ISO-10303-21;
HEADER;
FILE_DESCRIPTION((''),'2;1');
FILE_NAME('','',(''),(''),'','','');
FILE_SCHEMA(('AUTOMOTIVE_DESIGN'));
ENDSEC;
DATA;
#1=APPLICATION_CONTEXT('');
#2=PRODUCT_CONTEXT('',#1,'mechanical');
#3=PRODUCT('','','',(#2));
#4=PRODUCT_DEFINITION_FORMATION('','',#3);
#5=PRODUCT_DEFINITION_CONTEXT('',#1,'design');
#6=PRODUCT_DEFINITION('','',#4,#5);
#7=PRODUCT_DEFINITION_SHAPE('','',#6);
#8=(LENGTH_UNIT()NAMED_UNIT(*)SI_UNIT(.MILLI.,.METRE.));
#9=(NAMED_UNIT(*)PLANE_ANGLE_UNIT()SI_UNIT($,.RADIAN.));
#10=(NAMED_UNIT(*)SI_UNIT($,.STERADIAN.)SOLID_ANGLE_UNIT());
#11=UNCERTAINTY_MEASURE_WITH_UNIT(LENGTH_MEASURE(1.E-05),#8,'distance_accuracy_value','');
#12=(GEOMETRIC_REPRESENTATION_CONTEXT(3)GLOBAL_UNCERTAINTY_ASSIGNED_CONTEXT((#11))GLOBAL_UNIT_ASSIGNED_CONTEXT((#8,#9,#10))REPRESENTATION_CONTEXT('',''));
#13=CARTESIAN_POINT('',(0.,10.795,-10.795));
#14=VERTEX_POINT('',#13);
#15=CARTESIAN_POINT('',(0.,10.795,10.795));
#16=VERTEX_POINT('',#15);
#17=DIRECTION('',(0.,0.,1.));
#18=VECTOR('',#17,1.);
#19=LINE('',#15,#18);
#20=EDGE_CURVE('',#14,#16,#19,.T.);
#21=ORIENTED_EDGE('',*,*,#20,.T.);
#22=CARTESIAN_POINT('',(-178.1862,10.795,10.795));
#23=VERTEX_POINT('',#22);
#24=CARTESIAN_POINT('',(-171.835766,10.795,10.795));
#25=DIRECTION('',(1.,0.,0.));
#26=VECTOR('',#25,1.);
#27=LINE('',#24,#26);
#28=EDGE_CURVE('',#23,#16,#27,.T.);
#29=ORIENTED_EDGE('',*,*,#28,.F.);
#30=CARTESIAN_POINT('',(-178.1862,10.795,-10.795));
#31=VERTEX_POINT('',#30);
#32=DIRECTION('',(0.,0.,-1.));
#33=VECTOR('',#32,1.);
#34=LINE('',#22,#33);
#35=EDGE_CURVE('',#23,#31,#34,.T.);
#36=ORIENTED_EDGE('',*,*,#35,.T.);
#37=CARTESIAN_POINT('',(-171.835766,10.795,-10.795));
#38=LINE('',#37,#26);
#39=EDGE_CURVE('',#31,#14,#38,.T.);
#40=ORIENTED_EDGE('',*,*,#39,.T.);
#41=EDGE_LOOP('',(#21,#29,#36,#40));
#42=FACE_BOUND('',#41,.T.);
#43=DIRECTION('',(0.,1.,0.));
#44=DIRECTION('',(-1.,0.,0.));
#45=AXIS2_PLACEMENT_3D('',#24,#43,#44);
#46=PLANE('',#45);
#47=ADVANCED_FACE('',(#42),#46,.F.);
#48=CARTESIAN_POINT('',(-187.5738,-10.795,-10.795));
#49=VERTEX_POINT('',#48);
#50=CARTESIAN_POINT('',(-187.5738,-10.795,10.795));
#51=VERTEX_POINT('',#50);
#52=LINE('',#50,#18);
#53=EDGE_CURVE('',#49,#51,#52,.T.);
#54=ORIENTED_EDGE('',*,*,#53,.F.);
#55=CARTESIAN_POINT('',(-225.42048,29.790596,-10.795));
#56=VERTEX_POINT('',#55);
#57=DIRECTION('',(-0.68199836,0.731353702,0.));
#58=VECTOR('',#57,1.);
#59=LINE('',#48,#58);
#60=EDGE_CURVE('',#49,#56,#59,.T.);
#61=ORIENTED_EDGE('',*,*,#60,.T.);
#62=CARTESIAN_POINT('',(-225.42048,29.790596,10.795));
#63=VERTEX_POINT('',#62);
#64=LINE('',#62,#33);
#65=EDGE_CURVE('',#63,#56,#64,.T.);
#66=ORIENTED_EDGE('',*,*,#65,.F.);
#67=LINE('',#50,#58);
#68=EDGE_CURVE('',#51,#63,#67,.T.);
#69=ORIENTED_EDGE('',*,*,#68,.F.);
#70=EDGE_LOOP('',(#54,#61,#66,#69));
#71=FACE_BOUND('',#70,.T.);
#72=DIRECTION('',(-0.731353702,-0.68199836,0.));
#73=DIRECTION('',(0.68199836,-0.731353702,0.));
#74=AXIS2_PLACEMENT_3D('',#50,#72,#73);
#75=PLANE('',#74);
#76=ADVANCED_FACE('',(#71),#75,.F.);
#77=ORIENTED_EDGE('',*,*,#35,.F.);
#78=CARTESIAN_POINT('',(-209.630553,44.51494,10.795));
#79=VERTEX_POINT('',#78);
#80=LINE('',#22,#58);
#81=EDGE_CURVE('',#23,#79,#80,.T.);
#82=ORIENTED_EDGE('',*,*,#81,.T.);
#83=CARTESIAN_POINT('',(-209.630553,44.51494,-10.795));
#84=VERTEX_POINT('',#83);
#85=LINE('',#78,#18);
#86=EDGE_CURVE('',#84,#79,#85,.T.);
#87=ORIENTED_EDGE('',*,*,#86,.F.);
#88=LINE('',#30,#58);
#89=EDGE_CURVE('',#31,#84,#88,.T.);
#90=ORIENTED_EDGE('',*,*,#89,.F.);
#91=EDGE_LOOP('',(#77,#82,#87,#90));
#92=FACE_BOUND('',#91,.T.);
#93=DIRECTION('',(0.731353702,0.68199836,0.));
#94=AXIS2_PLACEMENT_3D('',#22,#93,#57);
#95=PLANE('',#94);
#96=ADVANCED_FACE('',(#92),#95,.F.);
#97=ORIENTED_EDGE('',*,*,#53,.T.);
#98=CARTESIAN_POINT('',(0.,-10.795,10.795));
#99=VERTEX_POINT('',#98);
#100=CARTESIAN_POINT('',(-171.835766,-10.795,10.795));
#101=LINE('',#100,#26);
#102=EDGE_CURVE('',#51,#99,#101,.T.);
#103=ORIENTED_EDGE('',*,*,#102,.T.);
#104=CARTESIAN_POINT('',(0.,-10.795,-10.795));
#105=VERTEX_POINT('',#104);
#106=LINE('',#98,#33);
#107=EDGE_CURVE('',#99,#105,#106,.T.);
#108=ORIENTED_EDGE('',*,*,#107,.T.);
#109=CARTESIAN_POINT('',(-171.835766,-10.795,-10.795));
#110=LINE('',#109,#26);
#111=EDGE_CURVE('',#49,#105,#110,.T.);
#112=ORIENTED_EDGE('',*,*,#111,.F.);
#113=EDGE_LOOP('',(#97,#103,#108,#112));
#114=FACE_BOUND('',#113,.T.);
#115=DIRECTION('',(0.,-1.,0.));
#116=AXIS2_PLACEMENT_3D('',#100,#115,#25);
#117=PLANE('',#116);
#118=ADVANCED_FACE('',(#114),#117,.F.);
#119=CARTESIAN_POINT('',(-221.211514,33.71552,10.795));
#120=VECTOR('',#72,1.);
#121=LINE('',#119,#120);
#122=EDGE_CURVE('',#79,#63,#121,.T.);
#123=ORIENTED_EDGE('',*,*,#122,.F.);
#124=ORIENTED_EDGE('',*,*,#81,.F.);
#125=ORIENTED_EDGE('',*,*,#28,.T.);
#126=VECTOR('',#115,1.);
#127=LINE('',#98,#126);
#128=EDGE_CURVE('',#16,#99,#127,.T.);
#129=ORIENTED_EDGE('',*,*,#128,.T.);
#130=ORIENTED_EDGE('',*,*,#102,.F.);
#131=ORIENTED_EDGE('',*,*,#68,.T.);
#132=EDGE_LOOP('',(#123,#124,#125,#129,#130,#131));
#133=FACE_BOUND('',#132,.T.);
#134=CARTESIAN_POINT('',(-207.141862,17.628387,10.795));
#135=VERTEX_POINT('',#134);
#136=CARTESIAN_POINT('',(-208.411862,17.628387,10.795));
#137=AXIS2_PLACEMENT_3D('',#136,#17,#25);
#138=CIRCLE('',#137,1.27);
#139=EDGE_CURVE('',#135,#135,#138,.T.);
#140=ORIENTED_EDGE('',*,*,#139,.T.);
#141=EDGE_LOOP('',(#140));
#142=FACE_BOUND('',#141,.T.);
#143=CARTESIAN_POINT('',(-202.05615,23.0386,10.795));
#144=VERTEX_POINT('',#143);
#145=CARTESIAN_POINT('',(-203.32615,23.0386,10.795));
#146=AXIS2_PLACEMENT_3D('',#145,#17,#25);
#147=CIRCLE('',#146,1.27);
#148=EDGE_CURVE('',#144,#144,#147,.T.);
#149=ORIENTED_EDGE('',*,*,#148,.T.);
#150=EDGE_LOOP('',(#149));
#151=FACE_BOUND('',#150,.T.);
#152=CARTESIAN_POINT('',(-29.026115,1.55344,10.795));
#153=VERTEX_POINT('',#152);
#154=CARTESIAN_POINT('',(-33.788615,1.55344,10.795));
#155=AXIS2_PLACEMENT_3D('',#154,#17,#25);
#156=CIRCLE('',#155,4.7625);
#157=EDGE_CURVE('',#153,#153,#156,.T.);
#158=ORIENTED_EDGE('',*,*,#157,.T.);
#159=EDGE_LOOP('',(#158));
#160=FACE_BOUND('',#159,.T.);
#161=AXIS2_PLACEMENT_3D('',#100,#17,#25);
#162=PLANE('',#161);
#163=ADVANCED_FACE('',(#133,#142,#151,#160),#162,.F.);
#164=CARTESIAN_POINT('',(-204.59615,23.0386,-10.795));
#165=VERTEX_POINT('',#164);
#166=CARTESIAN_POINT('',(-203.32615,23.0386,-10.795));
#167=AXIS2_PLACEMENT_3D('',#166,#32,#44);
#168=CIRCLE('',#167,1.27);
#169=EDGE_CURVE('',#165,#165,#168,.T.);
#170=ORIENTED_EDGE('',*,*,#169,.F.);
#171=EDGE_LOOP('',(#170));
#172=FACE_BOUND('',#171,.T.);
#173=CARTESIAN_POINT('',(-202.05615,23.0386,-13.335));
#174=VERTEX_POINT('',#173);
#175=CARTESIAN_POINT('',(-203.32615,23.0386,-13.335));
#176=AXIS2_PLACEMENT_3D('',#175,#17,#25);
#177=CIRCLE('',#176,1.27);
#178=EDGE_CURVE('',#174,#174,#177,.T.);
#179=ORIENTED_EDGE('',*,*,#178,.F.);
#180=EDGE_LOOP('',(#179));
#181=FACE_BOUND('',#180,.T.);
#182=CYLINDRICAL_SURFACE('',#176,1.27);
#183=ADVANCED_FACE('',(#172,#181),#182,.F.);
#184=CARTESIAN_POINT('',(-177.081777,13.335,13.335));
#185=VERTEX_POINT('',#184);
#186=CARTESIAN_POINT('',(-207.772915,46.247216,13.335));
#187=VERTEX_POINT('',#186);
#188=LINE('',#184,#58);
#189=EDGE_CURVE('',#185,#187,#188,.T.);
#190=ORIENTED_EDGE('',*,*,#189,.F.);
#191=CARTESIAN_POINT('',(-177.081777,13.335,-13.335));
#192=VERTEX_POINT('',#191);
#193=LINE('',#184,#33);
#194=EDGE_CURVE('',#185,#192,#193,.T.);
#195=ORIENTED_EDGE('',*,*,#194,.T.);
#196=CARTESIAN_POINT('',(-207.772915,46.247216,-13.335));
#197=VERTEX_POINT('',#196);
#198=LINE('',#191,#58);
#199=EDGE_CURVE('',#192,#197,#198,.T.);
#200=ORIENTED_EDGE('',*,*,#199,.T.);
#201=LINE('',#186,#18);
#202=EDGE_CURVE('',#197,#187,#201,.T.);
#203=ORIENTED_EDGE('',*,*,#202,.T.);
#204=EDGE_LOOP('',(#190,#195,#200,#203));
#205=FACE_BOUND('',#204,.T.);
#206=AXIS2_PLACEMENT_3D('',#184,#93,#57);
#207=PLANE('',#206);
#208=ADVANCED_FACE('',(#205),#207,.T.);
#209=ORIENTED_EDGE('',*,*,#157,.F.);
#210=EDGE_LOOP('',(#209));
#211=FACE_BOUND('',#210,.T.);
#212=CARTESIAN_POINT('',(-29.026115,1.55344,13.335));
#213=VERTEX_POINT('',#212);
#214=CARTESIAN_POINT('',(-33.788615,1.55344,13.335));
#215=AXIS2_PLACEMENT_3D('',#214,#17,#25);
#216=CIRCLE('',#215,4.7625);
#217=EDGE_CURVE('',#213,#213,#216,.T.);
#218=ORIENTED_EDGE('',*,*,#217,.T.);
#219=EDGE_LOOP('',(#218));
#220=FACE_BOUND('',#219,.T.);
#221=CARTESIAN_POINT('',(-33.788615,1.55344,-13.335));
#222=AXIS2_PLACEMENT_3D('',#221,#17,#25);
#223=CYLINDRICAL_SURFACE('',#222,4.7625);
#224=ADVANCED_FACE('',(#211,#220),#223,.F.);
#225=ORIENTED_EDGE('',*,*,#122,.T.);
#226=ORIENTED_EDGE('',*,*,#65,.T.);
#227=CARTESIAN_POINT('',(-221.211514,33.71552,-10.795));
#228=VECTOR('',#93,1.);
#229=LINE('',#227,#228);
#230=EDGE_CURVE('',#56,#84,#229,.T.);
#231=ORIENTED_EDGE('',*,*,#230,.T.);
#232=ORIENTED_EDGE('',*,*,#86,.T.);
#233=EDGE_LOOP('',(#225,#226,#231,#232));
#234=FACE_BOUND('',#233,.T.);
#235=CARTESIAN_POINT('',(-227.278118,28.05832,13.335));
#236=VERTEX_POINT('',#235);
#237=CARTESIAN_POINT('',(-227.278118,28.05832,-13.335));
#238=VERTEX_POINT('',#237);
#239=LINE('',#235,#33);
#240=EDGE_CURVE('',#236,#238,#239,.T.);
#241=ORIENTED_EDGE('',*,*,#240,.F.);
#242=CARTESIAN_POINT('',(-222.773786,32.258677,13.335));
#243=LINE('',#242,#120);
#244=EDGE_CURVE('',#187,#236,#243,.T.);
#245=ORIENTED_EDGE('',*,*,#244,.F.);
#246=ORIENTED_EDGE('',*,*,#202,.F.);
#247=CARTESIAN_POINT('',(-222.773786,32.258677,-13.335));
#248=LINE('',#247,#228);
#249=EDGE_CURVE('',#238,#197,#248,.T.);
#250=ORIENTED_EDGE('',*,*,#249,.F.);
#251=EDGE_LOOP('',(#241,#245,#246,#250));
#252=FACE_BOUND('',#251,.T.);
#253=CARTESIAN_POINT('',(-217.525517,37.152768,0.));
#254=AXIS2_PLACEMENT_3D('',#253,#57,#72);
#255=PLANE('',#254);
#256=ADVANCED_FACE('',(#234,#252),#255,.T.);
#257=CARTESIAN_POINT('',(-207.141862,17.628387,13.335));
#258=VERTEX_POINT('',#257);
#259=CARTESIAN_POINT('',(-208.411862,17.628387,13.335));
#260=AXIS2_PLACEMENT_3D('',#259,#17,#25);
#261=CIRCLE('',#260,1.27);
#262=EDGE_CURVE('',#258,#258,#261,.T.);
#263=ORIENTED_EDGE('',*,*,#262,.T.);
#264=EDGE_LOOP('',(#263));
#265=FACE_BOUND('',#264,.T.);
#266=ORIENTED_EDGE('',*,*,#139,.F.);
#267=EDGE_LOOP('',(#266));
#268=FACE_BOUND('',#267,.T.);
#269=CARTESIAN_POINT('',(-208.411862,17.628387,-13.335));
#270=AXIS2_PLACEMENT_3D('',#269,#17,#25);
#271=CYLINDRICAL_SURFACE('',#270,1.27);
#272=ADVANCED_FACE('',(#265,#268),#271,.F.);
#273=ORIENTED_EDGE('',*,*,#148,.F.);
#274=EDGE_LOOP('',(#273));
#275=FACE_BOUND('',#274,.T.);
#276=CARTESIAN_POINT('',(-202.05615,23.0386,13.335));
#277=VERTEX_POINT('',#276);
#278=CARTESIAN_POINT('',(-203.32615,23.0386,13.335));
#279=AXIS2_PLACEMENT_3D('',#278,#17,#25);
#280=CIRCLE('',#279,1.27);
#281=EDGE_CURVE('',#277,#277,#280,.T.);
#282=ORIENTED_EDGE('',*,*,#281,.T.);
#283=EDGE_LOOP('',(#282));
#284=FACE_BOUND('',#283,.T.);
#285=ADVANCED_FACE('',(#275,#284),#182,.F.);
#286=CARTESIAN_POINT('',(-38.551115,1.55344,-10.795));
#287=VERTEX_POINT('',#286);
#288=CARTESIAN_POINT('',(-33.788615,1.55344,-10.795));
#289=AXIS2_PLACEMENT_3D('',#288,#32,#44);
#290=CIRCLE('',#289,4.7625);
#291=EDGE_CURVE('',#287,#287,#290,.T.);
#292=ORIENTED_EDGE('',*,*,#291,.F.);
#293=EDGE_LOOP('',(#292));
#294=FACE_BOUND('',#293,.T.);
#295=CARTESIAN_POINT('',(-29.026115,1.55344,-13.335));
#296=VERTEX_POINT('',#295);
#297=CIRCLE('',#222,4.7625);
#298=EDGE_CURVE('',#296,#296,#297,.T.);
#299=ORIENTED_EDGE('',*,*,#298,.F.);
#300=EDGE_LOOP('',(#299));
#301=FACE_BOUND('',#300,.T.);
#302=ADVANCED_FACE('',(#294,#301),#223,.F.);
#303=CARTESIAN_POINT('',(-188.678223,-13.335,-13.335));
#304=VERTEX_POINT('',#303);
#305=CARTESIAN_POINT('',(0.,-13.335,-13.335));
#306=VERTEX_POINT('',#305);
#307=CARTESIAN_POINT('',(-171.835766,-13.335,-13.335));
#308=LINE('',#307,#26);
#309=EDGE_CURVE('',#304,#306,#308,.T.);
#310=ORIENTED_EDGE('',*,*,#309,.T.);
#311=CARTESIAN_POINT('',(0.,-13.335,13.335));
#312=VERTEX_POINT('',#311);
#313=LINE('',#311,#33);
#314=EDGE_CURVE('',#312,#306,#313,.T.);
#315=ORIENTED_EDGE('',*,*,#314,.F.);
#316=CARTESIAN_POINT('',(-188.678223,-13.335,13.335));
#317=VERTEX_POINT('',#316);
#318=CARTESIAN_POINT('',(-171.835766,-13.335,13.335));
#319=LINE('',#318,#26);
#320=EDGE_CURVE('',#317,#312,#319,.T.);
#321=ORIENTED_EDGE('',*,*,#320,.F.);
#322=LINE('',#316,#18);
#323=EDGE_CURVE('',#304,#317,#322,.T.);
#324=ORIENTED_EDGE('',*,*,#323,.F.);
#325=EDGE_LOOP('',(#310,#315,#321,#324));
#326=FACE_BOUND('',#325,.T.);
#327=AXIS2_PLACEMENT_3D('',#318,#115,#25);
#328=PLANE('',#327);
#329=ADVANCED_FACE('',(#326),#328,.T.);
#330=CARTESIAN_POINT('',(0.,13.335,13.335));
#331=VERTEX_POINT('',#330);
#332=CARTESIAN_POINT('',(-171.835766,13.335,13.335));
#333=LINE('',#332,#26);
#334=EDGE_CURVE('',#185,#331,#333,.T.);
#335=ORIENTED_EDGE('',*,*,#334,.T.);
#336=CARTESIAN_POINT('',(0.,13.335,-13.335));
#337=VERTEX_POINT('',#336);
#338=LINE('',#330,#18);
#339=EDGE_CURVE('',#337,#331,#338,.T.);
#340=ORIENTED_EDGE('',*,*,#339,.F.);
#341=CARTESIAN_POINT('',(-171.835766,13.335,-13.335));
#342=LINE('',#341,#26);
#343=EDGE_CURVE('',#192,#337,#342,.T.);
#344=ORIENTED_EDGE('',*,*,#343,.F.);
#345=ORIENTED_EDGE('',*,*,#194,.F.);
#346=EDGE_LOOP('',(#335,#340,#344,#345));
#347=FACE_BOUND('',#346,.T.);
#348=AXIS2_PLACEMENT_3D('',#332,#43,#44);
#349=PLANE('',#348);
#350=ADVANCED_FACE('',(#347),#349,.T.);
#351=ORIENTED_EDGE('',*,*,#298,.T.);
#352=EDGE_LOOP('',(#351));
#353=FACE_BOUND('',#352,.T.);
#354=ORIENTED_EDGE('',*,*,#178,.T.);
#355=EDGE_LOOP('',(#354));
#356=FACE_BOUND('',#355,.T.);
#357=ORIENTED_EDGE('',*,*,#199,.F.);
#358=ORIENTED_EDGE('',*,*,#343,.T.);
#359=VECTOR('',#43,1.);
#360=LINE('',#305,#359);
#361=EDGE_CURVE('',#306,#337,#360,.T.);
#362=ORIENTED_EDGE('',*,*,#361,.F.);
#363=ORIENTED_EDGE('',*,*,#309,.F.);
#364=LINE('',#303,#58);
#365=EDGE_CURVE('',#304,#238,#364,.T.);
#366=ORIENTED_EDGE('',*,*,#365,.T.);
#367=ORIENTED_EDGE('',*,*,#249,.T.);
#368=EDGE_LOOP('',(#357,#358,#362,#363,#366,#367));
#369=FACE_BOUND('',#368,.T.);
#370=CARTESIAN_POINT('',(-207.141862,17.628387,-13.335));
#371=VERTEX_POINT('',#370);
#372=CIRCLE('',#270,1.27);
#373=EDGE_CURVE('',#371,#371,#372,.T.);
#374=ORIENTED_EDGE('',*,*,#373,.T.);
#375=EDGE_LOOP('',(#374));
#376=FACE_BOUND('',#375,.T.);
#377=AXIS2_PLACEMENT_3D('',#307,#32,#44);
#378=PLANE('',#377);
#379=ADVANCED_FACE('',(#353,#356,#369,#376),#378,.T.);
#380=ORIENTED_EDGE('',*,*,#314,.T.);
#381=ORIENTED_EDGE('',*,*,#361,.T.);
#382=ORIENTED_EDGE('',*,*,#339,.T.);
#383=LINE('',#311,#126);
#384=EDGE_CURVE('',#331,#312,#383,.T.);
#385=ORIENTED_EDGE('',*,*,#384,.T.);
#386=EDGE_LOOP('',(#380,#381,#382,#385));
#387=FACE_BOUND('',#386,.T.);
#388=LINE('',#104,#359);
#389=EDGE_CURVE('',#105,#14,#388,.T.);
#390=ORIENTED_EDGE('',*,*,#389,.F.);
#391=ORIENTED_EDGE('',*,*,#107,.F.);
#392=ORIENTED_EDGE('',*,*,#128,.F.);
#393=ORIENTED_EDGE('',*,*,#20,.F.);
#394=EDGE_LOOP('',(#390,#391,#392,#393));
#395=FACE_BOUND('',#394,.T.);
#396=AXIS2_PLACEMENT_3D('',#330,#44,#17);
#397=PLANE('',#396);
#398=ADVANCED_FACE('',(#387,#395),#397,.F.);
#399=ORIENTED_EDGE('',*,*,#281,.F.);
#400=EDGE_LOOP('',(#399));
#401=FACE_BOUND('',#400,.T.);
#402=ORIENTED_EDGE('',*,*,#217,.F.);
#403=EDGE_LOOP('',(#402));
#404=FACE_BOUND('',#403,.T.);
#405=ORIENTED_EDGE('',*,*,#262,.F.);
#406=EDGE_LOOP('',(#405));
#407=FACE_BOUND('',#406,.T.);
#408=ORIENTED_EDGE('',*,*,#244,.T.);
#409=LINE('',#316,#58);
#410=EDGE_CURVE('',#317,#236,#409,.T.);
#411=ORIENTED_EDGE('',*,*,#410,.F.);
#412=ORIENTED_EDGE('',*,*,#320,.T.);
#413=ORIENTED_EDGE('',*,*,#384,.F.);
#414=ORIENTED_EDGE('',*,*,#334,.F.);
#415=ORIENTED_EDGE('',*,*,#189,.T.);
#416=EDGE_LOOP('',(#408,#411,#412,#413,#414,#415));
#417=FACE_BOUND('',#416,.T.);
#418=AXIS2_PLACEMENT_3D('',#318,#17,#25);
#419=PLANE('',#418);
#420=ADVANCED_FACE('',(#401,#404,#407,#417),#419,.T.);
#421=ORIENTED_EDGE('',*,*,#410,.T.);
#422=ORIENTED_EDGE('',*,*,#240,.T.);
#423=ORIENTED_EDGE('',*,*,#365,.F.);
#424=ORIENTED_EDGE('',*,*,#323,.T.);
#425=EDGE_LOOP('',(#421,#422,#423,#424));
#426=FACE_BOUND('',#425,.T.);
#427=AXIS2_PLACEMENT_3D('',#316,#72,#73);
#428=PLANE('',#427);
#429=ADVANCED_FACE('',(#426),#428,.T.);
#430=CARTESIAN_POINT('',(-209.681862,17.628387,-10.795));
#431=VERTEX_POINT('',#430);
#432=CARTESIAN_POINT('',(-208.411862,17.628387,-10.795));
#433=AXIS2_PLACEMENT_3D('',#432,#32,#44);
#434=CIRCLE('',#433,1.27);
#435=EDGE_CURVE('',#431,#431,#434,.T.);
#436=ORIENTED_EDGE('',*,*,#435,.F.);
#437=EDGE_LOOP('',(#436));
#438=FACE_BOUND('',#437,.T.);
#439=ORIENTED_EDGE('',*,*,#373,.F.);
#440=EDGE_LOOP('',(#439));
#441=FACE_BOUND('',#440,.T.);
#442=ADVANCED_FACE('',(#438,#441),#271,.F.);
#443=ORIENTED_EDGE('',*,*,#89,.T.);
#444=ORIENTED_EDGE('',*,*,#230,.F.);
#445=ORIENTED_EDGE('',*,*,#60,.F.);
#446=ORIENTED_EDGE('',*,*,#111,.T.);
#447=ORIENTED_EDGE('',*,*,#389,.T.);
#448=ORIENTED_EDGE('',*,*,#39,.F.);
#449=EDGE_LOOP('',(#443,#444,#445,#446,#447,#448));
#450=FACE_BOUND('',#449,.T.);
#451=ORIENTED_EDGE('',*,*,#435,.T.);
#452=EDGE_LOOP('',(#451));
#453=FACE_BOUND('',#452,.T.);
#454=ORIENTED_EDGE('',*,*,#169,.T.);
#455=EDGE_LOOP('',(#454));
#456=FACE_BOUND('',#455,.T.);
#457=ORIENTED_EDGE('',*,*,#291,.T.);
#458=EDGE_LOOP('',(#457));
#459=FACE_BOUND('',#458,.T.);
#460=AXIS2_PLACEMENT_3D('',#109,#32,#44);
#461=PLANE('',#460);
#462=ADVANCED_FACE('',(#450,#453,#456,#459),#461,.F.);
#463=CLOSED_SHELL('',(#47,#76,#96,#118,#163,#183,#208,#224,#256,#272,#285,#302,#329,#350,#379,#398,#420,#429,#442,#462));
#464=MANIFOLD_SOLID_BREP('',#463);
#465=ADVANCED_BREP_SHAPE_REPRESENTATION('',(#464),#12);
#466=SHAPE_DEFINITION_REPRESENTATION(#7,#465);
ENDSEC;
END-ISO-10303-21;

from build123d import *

# Parameters (mm, degrees)
SKETCH2_W          = 26.67
SKETCH2_H          = 26.67
SKETCH2_W_2        = 21.59
SKETCH2_H_2        = 21.59
SKETCH4_R          = 4.7625
CUT_EXTRUDE2_DEPTH = 234.463995003
SKETCH5_R          = 1.27
CUT_EXTRUDE3_DEPTH = 234.463995003


with BuildPart() as part:
    # Sweep1: sweep along a path in Sketch1
    with BuildLine(Plane.XY) as sweep1_path:
        Line((0, 0), (-171.835765676, 0))
        Line((-171.835765676, 0), (-182.88, 0))
        Line((-182.88, 0), (-190.412149697, 8.077241654))
        Line((-190.412149697, 8.077241654), (-217.525516691, 37.152768042))
    # Sketch2 → Sweep1 (sweep)
    with BuildSketch(Plane(origin=(0, 0, 0), x_dir=(0, 0, -1), z_dir=(1, 0, 0))):
        Rectangle(SKETCH2_W, SKETCH2_H)
        Rectangle(SKETCH2_W_2, SKETCH2_H_2, mode=Mode.SUBTRACT)
    sweep(path=sweep1_path.line, transition=Transition.RIGHT)

    # Sketch4 → Cut-Extrude2 (cut, through all)
    with BuildSketch(Plane.XY.offset(13.335)):
        with Locations((-33.788615372, 1.553440166)):
            Circle(SKETCH4_R)
    extrude(amount=-CUT_EXTRUDE2_DEPTH, mode=Mode.SUBTRACT)

    # Sketch5 → Cut-Extrude3 (cut, through all)
    with BuildSketch(Plane.XY.offset(13.335)):
        with Locations((-203.326149514, 23.038600359)):
            Circle(SKETCH5_R)
        with Locations((-208.411861608, 17.628386689)):
            Circle(SKETCH5_R)
    extrude(amount=-CUT_EXTRUDE3_DEPTH, mode=Mode.SUBTRACT)


solid = part.part
